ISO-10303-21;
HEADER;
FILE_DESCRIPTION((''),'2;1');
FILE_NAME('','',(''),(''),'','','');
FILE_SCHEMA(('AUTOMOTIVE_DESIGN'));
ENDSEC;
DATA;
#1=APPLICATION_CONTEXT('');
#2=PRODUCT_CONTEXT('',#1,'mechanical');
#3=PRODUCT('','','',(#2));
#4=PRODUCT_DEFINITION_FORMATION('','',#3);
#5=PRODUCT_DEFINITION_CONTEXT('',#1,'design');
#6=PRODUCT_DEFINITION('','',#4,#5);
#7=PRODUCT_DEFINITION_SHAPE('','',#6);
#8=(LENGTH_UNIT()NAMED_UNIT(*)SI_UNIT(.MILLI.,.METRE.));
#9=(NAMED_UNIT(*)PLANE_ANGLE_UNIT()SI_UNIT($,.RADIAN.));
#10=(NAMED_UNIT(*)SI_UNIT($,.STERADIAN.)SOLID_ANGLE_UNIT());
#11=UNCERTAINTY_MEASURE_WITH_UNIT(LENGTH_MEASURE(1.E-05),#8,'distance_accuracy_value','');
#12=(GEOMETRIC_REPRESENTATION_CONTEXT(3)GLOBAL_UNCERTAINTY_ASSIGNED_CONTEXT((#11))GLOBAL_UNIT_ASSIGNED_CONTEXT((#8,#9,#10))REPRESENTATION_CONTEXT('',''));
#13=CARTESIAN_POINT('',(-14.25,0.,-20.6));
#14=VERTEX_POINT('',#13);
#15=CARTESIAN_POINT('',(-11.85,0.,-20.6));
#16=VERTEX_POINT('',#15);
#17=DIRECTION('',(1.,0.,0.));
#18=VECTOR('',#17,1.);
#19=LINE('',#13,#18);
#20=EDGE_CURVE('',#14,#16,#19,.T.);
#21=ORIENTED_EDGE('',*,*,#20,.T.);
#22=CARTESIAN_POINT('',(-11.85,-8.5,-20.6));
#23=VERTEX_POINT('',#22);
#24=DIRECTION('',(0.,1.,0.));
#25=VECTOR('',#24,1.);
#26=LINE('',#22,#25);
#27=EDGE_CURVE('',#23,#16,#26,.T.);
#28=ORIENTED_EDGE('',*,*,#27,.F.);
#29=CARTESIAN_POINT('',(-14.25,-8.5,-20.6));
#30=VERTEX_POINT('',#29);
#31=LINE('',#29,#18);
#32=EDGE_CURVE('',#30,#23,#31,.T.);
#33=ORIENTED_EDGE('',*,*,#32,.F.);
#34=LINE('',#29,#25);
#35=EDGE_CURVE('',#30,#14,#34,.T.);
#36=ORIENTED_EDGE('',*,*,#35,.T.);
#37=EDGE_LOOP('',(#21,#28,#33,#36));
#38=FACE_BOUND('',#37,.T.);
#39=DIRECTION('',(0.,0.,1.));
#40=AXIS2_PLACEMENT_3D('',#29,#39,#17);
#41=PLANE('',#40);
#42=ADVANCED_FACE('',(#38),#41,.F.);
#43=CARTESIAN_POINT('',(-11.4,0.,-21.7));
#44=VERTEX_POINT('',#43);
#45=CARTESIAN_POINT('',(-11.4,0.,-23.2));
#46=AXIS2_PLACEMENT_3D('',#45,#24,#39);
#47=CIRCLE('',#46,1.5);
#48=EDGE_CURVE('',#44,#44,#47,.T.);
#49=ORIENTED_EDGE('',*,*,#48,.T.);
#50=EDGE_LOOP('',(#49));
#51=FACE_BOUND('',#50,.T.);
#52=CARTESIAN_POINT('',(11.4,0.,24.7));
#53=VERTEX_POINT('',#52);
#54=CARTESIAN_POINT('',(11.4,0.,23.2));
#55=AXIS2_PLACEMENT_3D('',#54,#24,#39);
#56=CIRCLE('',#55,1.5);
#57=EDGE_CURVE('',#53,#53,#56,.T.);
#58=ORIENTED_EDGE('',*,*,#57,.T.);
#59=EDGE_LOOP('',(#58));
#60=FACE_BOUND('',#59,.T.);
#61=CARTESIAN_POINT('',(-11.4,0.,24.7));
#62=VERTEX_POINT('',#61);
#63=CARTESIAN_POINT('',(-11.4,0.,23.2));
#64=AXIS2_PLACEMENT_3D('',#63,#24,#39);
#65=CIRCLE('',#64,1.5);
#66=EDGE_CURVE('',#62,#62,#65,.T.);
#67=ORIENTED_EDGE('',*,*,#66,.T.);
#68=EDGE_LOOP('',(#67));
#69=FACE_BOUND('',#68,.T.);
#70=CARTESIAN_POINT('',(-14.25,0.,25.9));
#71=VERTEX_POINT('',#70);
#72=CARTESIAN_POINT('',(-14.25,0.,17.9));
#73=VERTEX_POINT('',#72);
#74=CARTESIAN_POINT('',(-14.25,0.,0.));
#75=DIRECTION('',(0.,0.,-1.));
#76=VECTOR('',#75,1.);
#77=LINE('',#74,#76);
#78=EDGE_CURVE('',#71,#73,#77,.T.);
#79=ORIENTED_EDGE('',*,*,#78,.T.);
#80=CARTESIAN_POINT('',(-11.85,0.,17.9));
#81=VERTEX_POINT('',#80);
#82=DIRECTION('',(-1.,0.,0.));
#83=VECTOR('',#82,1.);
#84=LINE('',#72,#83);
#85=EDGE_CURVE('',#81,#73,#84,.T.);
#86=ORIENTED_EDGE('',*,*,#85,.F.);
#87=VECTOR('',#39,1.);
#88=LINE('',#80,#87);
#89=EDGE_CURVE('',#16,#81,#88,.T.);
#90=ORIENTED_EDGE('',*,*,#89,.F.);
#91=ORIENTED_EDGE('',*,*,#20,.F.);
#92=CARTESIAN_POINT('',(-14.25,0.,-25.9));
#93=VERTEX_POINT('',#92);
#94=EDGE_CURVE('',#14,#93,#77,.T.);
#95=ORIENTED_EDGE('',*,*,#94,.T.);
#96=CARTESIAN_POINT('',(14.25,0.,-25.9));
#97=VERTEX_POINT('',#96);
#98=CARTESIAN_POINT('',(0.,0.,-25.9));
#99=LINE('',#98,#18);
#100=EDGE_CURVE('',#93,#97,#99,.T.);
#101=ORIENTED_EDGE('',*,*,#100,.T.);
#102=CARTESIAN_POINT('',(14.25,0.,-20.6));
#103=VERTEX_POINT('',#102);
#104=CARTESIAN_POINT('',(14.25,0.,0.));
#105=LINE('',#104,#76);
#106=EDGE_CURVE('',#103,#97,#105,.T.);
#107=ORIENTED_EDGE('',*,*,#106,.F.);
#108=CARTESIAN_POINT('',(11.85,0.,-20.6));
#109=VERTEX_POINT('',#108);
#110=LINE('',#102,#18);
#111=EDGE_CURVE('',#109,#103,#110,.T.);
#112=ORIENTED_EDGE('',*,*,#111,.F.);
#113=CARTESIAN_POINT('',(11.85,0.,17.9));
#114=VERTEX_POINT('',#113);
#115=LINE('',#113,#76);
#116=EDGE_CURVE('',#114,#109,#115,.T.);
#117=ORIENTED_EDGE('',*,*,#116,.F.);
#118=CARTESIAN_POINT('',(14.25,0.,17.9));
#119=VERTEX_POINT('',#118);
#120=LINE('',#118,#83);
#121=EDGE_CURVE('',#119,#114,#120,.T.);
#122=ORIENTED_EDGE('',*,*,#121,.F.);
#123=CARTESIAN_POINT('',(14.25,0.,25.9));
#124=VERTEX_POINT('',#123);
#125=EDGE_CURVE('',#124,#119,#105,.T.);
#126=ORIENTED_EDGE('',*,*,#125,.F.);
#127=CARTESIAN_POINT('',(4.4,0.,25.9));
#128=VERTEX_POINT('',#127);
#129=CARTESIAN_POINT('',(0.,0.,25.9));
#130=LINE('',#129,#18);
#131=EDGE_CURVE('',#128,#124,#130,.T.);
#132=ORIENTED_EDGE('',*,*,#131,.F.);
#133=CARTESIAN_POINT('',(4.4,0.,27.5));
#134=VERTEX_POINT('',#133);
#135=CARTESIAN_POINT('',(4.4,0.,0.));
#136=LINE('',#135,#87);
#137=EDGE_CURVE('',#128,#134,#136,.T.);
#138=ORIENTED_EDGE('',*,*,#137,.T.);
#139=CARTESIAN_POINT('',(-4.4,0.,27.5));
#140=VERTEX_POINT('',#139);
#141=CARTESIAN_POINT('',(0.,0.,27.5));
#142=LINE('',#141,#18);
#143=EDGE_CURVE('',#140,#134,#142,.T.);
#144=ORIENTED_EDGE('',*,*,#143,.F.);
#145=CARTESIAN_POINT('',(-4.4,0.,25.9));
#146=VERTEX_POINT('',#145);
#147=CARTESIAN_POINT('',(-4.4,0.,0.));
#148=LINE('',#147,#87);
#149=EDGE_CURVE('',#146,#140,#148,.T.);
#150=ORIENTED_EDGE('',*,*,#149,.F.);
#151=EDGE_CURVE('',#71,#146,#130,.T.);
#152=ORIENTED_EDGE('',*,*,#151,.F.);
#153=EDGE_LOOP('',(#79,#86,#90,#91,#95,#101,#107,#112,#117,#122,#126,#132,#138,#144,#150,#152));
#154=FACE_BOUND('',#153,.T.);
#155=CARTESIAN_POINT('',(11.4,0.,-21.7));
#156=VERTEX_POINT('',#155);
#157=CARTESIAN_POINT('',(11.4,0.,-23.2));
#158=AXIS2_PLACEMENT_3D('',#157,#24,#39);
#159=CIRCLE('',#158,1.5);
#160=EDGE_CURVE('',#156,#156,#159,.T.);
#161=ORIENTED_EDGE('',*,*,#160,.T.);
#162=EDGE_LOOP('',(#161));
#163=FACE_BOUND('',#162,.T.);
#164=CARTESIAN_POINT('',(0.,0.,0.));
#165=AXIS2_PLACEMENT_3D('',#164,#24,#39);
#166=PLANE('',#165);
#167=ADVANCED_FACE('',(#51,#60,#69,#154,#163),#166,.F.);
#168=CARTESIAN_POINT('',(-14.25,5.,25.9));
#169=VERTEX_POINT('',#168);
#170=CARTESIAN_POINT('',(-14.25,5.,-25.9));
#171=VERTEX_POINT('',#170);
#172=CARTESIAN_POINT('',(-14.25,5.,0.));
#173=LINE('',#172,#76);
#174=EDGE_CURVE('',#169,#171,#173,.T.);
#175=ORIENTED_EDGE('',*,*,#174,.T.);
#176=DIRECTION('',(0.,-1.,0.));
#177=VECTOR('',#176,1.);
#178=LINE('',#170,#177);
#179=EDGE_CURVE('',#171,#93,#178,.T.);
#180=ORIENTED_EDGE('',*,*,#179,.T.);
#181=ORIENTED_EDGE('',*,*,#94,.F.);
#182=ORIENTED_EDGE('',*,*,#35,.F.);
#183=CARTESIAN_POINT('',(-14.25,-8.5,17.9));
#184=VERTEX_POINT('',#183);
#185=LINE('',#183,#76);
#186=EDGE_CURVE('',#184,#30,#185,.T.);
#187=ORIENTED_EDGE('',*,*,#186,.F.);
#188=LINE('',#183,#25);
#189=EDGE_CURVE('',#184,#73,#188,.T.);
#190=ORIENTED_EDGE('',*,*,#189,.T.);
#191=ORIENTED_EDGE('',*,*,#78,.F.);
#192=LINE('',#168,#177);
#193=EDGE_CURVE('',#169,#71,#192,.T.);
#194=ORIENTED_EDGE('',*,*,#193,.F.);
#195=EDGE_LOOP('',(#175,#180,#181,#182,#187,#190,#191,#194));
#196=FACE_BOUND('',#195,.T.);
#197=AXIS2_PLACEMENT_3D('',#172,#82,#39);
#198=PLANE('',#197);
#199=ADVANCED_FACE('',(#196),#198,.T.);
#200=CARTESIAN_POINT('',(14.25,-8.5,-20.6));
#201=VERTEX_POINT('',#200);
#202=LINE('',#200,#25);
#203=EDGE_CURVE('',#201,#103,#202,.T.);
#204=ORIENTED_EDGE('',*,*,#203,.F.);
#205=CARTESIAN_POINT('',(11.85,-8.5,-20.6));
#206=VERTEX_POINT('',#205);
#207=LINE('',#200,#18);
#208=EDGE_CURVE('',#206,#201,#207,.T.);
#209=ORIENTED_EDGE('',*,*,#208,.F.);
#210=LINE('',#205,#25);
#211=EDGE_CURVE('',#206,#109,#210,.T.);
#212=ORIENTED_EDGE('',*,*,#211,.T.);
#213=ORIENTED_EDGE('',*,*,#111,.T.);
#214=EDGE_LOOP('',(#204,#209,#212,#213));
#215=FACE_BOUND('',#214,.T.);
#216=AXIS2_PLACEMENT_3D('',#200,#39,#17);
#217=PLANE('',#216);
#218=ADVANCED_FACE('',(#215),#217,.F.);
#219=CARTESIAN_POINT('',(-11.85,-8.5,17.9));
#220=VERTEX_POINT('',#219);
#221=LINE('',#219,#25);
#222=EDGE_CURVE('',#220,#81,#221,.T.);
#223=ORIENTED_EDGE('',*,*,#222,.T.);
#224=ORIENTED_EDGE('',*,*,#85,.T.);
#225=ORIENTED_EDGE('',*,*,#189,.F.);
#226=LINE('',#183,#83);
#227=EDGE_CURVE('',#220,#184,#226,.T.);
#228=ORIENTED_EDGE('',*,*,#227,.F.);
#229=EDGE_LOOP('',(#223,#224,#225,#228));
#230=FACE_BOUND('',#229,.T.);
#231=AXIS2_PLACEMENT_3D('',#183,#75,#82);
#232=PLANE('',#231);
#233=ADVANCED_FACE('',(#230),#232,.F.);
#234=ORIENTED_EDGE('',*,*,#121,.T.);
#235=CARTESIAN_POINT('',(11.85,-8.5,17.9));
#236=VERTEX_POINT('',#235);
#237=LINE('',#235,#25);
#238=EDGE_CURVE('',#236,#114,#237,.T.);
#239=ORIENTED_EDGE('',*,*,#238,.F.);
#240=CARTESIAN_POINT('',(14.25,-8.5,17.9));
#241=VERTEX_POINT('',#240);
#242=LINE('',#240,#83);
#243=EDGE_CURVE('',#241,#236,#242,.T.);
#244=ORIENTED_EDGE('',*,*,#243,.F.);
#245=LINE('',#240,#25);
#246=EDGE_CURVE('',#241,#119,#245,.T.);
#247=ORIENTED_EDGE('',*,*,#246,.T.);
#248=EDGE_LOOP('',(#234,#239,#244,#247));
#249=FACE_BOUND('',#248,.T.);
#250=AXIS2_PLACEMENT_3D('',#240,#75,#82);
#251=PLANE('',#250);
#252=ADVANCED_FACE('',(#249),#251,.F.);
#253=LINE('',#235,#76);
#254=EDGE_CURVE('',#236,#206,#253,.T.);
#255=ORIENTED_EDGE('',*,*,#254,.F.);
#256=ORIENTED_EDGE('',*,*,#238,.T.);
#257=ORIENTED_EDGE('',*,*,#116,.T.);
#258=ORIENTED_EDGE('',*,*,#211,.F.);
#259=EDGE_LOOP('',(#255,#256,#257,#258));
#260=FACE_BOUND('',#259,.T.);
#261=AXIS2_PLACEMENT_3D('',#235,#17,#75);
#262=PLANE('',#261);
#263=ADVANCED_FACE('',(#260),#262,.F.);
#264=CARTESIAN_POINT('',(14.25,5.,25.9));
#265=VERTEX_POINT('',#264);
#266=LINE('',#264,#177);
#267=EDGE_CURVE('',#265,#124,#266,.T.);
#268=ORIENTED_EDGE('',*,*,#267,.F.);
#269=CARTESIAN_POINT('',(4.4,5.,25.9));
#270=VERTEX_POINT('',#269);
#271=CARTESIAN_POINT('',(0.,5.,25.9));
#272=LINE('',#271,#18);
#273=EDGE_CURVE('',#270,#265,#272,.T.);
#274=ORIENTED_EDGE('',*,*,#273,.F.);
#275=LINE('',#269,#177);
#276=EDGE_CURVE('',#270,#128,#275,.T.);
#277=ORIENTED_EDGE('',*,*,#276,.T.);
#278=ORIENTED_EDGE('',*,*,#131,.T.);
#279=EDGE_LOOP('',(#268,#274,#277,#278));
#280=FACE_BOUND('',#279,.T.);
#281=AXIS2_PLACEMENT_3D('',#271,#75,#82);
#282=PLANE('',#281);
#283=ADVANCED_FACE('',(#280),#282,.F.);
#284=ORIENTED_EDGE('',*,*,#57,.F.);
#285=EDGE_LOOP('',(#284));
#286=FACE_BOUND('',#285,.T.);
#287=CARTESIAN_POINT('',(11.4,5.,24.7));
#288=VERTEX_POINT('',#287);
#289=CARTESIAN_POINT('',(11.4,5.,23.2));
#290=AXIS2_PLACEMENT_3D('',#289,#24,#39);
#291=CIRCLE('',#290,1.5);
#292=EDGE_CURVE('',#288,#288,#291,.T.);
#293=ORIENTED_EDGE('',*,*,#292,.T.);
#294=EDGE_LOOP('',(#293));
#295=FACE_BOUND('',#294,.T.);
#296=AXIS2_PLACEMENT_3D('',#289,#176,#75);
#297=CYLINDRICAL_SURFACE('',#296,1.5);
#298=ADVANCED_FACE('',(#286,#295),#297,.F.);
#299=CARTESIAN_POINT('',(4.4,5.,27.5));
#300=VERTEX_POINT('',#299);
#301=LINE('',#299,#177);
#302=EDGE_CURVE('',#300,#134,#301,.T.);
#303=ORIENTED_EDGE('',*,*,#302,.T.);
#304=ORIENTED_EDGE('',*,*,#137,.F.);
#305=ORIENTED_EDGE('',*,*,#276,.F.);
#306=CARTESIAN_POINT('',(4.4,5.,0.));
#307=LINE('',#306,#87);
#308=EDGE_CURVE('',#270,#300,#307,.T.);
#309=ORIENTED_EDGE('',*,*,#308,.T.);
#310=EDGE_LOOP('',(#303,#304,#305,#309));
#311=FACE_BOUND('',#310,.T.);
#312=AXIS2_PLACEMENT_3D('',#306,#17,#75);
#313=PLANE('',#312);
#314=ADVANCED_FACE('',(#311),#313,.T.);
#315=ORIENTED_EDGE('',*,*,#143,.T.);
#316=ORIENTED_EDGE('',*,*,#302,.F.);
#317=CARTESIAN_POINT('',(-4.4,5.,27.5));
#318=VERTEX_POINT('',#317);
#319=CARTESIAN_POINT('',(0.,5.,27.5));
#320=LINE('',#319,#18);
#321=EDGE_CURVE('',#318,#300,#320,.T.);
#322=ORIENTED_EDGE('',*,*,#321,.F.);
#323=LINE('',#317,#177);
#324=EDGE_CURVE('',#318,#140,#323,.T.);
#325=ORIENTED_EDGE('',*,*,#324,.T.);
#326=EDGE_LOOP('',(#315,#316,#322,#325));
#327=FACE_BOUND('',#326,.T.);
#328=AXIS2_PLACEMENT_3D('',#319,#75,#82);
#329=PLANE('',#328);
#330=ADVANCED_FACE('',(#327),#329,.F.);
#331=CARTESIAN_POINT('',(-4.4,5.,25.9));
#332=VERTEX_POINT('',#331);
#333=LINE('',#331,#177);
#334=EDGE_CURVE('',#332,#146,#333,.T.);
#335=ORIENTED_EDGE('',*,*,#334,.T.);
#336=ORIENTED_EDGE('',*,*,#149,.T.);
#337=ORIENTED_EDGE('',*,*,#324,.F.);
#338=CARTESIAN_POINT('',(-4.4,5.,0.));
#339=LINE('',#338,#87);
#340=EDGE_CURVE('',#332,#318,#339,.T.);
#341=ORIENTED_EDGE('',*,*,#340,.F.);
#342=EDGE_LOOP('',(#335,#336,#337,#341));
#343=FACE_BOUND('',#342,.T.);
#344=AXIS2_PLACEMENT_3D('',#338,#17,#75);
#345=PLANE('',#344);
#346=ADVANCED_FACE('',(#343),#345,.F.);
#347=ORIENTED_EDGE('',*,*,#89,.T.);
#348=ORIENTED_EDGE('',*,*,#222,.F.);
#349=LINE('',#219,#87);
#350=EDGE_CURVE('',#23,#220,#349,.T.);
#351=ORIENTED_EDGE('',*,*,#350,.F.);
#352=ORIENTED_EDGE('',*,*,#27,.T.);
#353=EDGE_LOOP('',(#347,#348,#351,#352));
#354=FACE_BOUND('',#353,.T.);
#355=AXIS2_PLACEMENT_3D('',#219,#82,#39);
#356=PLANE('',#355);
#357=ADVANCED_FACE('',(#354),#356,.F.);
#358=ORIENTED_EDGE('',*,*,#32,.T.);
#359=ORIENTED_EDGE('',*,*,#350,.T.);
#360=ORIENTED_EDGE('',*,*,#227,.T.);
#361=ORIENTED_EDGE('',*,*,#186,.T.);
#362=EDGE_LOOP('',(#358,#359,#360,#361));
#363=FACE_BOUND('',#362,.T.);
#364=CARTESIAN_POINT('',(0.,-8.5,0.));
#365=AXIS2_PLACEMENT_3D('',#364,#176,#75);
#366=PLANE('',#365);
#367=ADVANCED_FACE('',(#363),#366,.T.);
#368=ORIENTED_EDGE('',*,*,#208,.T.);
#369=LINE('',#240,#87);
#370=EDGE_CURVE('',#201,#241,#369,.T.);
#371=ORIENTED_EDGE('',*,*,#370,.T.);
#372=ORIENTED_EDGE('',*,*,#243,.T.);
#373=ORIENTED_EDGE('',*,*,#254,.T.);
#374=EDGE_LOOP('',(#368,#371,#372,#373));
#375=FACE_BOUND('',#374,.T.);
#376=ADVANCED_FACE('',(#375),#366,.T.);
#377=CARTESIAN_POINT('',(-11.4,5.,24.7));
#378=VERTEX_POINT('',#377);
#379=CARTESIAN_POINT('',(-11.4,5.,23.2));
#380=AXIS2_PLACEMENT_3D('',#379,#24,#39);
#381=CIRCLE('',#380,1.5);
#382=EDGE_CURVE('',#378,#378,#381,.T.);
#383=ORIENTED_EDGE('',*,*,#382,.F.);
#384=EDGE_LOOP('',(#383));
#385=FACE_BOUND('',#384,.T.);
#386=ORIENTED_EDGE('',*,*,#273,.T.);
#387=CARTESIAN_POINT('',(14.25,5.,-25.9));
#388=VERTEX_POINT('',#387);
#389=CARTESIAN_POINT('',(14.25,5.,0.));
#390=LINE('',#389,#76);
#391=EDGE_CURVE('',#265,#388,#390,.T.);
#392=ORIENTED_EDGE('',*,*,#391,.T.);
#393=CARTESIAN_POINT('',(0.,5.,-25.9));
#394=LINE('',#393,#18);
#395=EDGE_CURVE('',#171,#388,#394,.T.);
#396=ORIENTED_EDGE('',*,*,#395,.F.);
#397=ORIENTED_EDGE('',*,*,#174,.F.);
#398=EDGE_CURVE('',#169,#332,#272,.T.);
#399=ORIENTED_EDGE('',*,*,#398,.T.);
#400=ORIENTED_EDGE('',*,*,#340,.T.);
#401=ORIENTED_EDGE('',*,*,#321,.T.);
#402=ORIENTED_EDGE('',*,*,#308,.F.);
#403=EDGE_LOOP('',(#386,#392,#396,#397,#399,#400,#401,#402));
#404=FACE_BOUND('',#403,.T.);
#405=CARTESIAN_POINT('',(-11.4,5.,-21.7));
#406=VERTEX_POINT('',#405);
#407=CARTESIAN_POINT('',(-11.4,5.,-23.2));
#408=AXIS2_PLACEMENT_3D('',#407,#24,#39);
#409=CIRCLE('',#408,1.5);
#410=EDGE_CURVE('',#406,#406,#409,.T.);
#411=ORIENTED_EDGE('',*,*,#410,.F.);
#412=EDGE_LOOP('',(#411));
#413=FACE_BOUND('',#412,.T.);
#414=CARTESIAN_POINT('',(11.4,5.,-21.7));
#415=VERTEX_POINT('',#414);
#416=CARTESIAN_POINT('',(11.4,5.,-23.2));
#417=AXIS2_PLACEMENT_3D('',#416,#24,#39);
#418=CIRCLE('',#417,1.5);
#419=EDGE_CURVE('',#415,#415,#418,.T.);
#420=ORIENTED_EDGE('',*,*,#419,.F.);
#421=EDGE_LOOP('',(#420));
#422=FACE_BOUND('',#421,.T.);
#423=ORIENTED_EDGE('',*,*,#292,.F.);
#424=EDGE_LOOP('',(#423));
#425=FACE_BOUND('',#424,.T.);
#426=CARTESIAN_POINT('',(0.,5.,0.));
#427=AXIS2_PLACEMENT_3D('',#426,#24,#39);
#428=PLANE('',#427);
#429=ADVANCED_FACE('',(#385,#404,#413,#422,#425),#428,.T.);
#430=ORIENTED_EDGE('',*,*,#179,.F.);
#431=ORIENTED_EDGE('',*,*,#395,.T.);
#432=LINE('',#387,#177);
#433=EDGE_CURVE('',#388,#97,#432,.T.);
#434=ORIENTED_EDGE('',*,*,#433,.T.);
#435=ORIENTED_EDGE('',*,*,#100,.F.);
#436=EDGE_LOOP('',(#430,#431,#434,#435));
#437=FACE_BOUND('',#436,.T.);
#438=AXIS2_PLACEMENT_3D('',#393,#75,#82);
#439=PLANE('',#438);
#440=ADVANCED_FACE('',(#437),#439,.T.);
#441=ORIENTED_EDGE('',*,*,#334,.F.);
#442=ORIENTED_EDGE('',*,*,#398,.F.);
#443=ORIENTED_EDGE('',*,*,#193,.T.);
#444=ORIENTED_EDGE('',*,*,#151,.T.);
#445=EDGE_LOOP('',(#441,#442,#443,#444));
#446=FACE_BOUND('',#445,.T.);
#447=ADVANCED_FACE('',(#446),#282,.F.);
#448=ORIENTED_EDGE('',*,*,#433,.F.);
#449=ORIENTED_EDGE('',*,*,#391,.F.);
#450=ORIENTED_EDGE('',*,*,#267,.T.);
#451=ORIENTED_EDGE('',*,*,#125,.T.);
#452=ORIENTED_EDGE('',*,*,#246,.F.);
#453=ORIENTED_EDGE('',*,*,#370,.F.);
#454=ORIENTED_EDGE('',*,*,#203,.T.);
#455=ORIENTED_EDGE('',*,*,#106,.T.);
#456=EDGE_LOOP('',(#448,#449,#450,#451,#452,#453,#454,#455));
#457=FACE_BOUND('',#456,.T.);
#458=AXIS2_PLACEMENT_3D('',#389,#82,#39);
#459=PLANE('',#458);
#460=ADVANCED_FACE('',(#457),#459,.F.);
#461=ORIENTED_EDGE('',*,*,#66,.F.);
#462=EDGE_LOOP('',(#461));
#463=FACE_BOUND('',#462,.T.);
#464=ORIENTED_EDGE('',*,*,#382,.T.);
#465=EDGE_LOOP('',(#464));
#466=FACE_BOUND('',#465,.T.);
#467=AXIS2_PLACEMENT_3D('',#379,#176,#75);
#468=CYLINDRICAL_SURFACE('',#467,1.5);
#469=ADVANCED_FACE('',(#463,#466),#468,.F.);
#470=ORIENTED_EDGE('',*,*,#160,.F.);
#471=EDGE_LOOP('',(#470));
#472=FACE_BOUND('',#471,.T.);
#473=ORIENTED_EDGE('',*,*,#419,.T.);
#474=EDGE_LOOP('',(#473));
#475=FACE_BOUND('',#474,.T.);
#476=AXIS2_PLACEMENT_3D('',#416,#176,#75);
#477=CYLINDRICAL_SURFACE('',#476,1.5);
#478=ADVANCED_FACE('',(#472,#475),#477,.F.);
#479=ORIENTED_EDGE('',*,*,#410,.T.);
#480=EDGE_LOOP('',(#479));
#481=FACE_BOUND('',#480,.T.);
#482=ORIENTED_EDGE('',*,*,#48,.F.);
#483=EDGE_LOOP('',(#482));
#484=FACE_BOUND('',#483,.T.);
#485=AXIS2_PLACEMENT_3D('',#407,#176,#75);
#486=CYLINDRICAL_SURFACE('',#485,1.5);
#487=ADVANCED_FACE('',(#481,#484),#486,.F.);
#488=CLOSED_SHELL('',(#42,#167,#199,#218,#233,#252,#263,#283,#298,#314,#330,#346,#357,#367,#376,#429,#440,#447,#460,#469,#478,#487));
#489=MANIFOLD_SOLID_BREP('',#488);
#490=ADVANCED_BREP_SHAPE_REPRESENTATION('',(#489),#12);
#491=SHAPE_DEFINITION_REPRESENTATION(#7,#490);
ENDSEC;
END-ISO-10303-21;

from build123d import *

# Parameters (mm, degrees)
SKETCH1_W           = 28.5
SKETCH1_H           = 51.8
SKETCH1_R           = 1.5
SKETCH1_W_2         = 8.8
SKETCH1_H_2         = 1.6
BOSS_EXTRUDE1_DEPTH = 5
SKETCH2_W           = 2.4
SKETCH2_H           = 38.5
BOSS_EXTRUDE2_DEPTH = 8.5


with BuildPart() as part:
    # Sketch1 → Boss-Extrude1 (new body)
    # profile 1 of 2: a face of its own
    with BuildSketch(Plane(origin=(0, 0, 0), x_dir=(1, 0, 0), z_dir=(0, 1, 0))):
        Rectangle(SKETCH1_W, SKETCH1_H)
        with Locations(Location((-11.4, -23.2, 0), (0, 0, 270))):
            Circle(SKETCH1_R, mode=Mode.SUBTRACT)
        with Locations(Location((11.4, -23.2, 0), (0, 0, 270))):
            Circle(SKETCH1_R, mode=Mode.SUBTRACT)
        with Locations(Location((11.4, 23.2, 0), (0, 0, 270))):
            Circle(SKETCH1_R, mode=Mode.SUBTRACT)
        with Locations(Location((-11.4, 23.2, 0), (0, 0, 270))):
            Circle(SKETCH1_R, mode=Mode.SUBTRACT)
    # profile 2 of 2: a face of its own
    with BuildSketch(Plane(origin=(0, 0, 0), x_dir=(1, 0, 0), z_dir=(0, 1, 0))):
        with Locations((0, -26.7)):
            Rectangle(SKETCH1_W_2, SKETCH1_H_2)
    extrude(amount=BOSS_EXTRUDE1_DEPTH)

    # Sketch2 → Boss-Extrude2 (add)
    with BuildSketch(Plane.XZ):
        with Locations((13.05, -1.35)):
            Rectangle(SKETCH2_W, SKETCH2_H)
        with Locations((-13.05, -1.35)):
            Rectangle(SKETCH2_W, SKETCH2_H)
    extrude(amount=BOSS_EXTRUDE2_DEPTH)


solid = part.part
